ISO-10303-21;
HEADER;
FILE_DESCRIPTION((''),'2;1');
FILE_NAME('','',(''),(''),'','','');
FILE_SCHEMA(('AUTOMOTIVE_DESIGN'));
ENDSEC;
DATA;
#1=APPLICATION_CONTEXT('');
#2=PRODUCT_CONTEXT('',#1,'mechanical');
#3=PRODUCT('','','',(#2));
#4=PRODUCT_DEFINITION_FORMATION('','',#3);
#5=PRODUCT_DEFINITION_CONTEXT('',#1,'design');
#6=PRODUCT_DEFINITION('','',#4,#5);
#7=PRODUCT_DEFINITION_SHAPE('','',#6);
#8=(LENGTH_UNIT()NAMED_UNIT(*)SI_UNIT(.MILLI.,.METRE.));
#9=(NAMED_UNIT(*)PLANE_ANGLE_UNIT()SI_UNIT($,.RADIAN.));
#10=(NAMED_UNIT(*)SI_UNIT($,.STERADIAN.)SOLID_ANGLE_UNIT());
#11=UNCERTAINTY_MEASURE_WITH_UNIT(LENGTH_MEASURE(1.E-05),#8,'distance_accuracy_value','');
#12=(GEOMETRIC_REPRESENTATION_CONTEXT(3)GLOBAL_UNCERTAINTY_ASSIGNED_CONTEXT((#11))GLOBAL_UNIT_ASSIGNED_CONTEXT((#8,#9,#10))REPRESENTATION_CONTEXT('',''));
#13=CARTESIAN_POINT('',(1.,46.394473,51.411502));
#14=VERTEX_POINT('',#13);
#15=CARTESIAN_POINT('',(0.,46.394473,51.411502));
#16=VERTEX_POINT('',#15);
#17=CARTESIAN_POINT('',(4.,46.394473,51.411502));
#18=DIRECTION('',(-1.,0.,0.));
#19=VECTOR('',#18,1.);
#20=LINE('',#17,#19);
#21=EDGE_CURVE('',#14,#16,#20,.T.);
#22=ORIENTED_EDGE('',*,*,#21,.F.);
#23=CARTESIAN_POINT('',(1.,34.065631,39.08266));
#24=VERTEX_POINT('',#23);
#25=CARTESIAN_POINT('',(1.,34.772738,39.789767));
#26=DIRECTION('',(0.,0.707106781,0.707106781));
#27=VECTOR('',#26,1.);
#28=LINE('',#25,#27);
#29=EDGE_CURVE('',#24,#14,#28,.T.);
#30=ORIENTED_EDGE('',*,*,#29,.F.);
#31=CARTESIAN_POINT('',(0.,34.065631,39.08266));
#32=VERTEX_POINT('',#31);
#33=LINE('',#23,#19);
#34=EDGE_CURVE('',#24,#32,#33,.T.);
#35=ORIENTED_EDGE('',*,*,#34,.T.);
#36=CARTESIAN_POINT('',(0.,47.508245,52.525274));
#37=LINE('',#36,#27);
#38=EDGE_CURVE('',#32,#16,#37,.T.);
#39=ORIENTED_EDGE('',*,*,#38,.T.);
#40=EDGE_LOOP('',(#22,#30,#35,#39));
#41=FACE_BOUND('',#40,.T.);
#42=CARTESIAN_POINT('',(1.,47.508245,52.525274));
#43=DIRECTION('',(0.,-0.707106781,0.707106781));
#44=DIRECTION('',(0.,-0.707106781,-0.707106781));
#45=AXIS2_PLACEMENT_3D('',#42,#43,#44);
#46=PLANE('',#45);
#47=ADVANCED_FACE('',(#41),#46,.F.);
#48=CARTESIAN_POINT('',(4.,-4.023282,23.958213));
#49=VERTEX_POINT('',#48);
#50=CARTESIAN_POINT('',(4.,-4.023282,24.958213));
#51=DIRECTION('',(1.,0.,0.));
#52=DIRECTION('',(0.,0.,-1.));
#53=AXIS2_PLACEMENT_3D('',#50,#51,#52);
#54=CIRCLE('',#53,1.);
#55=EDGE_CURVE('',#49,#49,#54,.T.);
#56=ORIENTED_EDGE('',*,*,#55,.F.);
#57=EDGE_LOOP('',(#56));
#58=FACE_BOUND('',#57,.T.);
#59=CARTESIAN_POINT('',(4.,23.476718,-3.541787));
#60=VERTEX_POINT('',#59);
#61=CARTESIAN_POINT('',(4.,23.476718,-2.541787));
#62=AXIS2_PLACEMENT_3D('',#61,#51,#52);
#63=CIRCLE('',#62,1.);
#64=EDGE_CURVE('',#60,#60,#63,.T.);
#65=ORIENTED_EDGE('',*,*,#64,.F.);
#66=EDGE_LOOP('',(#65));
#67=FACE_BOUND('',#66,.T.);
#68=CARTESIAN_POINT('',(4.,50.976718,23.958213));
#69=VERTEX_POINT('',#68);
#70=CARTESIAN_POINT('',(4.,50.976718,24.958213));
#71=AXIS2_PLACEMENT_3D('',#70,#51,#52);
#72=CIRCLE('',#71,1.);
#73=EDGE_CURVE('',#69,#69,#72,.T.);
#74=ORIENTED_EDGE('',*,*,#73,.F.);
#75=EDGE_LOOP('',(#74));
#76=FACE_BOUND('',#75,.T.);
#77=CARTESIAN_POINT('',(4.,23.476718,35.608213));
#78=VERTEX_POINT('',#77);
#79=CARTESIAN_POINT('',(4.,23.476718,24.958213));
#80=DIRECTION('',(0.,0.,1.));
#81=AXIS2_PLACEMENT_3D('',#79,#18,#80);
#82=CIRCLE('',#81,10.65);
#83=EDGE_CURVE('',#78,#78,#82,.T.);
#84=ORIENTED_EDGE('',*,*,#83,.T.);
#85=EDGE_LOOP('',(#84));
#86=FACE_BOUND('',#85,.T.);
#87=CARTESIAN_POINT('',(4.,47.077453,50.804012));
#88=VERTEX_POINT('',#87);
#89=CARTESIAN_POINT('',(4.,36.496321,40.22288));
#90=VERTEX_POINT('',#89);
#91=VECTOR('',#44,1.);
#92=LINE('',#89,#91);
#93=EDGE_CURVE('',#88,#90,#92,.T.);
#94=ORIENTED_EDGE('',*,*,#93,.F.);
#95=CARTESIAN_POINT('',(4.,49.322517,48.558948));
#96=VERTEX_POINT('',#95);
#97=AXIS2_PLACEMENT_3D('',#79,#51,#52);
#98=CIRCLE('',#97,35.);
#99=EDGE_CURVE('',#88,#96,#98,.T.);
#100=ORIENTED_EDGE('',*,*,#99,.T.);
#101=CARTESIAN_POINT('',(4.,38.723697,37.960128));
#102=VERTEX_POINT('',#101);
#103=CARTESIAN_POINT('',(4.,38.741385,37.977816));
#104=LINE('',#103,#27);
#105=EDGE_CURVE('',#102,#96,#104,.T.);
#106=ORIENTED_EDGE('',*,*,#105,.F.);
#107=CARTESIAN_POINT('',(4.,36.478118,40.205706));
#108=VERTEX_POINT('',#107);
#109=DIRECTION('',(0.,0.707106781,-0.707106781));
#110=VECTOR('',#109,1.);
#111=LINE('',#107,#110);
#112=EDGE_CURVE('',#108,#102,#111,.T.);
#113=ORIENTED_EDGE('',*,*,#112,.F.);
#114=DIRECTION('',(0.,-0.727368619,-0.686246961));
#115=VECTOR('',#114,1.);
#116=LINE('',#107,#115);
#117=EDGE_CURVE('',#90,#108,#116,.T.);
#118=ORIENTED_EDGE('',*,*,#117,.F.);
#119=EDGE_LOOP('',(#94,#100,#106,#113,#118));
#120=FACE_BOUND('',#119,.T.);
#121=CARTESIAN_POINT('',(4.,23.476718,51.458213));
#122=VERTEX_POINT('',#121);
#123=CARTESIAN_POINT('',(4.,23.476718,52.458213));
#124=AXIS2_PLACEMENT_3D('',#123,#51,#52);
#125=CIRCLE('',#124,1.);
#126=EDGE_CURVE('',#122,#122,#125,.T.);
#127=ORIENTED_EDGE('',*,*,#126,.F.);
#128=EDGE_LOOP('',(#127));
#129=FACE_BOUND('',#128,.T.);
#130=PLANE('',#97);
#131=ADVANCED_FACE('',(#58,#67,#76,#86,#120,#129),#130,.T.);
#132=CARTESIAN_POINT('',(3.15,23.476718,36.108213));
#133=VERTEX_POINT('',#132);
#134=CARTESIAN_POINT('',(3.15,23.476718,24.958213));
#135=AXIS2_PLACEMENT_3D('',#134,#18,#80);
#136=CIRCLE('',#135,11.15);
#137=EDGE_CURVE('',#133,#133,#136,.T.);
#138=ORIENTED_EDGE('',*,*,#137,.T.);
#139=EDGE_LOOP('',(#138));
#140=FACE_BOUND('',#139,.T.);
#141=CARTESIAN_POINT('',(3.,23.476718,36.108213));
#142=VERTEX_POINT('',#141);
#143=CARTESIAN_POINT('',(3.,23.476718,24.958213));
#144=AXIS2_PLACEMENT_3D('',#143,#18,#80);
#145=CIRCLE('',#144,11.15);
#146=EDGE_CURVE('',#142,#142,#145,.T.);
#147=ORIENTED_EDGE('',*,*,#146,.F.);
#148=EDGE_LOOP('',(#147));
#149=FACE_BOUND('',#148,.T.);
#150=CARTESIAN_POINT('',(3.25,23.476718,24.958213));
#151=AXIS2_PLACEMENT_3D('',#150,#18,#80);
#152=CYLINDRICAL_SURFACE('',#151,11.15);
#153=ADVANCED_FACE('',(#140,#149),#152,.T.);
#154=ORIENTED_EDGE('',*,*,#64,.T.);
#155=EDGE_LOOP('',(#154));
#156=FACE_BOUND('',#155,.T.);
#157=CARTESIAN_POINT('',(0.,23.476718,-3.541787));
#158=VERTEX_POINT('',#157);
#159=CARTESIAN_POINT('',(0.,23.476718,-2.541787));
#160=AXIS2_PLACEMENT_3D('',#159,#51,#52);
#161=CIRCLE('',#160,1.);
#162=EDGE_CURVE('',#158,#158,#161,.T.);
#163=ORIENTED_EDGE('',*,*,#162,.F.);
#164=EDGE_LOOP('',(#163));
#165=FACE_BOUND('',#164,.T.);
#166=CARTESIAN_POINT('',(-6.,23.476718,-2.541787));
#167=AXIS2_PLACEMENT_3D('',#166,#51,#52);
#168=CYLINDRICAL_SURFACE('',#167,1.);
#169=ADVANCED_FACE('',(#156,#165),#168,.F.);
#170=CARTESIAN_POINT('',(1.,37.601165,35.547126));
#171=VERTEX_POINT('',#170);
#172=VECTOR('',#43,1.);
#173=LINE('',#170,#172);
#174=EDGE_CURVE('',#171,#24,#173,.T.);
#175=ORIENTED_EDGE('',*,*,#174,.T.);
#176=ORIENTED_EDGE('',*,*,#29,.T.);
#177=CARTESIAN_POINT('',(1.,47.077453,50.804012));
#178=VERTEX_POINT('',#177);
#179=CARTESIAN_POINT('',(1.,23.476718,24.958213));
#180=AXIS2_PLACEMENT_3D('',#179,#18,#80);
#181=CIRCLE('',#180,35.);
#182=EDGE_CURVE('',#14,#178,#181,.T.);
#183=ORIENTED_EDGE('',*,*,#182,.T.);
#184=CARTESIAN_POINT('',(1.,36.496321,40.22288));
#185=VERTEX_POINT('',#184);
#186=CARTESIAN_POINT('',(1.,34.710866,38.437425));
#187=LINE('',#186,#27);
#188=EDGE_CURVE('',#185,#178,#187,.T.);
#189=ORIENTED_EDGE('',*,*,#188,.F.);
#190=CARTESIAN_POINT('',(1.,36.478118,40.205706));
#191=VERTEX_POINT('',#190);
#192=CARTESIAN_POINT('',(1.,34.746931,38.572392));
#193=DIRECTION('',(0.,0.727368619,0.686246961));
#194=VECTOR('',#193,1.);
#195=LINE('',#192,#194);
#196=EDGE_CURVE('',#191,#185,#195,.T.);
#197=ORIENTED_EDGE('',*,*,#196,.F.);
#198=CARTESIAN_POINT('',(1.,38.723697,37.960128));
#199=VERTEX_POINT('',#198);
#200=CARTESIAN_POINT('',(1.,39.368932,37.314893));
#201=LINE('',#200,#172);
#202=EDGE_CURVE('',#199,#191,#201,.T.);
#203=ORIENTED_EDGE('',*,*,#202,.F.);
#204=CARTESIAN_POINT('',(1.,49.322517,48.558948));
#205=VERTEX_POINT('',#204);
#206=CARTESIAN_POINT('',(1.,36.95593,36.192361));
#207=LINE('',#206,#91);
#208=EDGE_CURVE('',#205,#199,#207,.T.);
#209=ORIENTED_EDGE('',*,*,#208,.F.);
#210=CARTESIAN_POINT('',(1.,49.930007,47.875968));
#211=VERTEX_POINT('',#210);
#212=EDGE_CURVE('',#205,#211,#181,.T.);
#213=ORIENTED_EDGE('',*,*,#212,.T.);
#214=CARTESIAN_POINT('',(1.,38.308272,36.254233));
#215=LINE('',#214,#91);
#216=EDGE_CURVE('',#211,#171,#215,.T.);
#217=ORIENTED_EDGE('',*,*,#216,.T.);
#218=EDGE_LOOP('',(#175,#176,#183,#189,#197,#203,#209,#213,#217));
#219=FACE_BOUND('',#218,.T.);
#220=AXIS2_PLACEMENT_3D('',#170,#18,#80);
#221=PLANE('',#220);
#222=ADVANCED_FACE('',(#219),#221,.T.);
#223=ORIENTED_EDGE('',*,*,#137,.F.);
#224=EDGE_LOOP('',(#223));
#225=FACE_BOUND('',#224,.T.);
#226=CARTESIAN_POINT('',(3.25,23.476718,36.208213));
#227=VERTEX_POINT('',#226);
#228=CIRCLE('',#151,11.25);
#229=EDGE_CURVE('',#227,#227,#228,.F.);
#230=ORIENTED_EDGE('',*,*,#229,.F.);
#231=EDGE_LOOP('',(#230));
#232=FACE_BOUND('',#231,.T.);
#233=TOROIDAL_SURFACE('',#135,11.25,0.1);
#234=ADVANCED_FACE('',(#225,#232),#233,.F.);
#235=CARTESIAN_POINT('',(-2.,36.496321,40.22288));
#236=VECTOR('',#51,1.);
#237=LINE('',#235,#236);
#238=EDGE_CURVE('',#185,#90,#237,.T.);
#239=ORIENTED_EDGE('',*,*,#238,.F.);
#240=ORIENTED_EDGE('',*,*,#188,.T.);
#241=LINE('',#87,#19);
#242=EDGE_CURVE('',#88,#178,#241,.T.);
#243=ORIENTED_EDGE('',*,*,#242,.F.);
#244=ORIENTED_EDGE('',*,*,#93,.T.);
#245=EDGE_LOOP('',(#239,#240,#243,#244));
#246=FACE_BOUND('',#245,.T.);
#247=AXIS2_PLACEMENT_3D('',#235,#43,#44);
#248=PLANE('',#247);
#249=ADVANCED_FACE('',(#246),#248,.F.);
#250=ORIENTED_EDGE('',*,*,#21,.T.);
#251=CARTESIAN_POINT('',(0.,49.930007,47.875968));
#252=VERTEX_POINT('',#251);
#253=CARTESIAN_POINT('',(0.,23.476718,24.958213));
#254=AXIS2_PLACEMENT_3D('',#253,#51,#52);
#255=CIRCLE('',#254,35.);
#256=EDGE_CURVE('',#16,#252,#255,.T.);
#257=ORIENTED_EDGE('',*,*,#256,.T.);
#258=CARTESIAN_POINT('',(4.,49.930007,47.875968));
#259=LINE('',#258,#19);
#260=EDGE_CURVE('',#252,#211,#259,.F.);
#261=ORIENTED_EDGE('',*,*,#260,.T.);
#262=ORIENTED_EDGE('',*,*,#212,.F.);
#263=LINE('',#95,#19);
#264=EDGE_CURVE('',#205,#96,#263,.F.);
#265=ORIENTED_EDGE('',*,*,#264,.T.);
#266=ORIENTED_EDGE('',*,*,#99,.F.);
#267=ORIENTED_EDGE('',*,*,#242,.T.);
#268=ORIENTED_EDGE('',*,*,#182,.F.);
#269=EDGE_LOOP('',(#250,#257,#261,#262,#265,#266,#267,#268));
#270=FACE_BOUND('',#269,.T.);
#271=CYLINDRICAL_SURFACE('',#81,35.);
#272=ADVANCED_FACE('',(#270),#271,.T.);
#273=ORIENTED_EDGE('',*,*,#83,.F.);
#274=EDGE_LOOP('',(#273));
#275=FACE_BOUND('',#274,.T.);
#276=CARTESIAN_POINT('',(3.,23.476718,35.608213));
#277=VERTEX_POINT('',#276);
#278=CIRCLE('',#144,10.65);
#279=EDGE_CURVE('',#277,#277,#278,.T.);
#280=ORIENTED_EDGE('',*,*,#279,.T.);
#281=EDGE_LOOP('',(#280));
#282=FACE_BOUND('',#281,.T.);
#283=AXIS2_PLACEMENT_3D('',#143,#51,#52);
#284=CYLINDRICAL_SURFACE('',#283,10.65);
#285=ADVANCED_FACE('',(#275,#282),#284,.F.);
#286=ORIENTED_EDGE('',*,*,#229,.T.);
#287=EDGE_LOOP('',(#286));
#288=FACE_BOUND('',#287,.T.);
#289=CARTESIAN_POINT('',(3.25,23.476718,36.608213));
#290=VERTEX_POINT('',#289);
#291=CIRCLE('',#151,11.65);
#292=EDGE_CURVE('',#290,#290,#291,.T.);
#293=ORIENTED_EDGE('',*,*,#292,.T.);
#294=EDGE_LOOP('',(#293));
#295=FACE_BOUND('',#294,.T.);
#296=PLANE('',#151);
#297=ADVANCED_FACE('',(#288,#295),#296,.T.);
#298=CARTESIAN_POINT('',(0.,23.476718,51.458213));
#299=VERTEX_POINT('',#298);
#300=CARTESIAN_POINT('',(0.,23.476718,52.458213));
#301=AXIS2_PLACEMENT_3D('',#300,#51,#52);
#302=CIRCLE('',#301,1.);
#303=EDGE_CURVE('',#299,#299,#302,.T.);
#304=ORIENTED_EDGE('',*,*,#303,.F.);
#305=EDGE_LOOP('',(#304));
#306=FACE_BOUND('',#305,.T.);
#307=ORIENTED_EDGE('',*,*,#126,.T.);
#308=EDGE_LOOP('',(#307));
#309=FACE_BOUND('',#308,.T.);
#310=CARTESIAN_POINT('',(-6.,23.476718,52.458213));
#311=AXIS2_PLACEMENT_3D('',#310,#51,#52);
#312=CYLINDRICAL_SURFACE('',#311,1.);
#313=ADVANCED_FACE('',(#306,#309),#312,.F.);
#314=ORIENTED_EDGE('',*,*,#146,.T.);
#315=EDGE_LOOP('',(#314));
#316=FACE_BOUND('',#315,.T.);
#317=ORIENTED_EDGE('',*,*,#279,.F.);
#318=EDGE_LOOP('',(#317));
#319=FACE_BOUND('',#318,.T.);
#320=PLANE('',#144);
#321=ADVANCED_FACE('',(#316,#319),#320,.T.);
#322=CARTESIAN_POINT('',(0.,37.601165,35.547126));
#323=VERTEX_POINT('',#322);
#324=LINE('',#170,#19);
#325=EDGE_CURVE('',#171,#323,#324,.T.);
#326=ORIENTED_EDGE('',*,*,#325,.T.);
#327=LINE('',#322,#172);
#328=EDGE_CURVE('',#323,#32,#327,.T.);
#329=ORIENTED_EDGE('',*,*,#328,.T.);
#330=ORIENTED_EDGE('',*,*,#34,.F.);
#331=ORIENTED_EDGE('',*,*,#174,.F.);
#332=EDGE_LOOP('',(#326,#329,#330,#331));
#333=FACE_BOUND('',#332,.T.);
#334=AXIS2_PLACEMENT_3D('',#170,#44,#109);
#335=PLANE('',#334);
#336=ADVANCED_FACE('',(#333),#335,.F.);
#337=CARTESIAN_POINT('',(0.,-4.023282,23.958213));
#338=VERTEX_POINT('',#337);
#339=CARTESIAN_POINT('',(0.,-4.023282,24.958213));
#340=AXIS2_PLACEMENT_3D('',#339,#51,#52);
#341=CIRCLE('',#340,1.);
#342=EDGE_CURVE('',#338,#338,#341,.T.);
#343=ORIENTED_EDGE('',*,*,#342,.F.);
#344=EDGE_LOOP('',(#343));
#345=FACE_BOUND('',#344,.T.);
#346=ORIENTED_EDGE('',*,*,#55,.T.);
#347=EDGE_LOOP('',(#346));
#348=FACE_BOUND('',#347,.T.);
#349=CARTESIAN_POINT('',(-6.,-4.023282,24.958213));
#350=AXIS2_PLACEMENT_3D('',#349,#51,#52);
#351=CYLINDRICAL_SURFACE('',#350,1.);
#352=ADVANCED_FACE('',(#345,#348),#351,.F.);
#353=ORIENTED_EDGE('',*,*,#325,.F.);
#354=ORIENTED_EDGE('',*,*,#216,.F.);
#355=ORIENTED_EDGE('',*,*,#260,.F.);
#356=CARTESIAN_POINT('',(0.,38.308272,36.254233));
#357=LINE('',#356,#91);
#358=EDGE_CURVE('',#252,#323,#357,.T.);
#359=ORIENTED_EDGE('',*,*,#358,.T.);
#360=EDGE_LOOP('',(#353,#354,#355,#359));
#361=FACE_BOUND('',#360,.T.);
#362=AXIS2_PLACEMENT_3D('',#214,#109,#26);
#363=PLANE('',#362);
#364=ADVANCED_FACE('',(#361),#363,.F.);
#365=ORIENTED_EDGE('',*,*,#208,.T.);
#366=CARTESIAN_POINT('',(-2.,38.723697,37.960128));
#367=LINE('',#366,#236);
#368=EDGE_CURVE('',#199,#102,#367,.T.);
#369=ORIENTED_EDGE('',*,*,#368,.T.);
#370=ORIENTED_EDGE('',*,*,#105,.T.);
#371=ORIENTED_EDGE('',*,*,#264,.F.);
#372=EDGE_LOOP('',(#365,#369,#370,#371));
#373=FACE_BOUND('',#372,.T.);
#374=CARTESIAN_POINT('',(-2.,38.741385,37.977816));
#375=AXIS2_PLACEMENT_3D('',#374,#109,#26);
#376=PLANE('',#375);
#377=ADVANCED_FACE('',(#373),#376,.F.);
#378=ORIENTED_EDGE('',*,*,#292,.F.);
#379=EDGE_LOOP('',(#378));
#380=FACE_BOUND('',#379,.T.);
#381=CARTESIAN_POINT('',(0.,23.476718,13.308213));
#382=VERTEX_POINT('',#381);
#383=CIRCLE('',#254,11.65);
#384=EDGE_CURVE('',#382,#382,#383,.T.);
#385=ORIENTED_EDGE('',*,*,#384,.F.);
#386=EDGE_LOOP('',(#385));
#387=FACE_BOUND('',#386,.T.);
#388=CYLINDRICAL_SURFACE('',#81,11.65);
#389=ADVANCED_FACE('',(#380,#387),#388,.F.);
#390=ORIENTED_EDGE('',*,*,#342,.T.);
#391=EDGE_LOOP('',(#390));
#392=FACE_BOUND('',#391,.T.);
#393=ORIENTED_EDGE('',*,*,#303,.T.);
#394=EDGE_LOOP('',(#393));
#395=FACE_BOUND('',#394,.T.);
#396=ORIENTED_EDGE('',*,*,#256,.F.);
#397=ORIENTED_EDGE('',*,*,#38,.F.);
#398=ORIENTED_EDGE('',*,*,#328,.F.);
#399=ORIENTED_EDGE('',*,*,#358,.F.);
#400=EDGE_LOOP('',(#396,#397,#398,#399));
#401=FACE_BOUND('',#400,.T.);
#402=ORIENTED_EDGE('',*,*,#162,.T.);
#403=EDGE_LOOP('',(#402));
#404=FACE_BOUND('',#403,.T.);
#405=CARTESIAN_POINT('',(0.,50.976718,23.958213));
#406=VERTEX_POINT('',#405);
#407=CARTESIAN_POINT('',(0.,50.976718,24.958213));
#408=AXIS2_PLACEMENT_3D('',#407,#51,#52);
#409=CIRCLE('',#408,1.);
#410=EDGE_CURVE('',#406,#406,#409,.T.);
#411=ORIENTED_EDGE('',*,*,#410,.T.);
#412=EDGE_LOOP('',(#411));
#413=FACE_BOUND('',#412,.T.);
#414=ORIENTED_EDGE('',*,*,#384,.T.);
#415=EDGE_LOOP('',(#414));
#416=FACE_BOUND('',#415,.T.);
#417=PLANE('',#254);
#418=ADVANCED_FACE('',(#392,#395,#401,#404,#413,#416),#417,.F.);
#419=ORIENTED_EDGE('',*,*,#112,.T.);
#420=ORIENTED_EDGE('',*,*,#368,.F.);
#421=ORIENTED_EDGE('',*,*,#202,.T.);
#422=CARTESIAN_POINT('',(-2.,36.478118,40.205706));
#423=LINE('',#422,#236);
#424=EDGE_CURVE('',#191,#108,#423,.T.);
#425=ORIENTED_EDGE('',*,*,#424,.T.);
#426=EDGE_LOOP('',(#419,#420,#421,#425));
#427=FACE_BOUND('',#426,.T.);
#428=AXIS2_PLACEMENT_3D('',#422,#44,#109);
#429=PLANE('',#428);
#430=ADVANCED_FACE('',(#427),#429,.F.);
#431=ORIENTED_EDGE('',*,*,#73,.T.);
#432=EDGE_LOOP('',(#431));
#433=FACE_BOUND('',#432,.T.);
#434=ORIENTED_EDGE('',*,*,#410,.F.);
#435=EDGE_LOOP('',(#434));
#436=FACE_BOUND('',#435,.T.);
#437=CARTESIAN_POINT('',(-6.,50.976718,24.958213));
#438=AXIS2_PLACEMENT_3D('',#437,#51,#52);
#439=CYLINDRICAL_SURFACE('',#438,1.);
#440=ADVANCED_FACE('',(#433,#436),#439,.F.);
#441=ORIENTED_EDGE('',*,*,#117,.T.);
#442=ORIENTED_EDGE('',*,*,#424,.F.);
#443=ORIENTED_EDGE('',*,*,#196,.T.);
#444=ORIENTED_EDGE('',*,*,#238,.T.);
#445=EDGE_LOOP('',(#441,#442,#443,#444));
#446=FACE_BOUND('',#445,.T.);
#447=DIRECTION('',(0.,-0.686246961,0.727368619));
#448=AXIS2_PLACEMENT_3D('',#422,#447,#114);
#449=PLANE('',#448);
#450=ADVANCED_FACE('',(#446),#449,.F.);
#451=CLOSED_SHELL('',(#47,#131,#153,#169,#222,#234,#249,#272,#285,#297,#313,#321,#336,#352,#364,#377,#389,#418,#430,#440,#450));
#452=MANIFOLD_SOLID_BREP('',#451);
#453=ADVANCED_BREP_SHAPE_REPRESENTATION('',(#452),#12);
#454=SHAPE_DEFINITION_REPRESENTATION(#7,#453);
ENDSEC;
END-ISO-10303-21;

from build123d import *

# Parameters (mm, degrees)
SKETCH1_R           = 35
SKETCH1_R_2         = 11.65
BOSS_EXTRUDE1_DEPTH = 4
CUT_EXTRUDE1_DEPTH  = 10
SKETCH6_R           = 1
CUT_EXTRUDE4_DEPTH  = 10
BOSS_EXTRUDE3_START = 1
SKETCH7_R           = 11.65
SKETCH7_R_2         = 10.65
BOSS_EXTRUDE3_DEPTH = 1
SKETCH8_R           = 11.65
SKETCH8_R_2         = 11.15
CUT_EXTRUDE5_DEPTH  = 0.25
FILLET1_R           = 0.1
CUT_EXTRUDE6_DEPTH  = 1
CUT_EXTRUDE12_DEPTH = 6


with BuildPart() as part:
    # Sketch1 → Boss-Extrude1 (new body)
    with BuildSketch(Plane(origin=(0, 0, 0), x_dir=(0, -0.16775650988153862, -0.9858284604292805), z_dir=(1, 0, 0))):
        with Locations(Location((-28.542888787, 18.957113921, 0), (0, 0, 9.65740334))):
            Circle(SKETCH1_R)
        with Locations(Location((-28.542888787, 18.957113921, 0), (0, 0, 9.65740334))):
            Circle(SKETCH1_R_2, mode=Mode.SUBTRACT)
    extrude(amount=BOSS_EXTRUDE1_DEPTH)

    # Sketch2 → Cut-Extrude1 (cut)
    with BuildSketch(Plane.ZY):
        with BuildLine():
            Line((38.375552951, 38.308271509), (48.999843401, 48.932561958))
            Line((48.999843401, 48.932561958), (51.312030188, 52.930544456))
            Line((51.312030188, 52.930544456), (54.007279042, 51.111570475))
            Line((54.007279042, 51.111570475), (50.414056963, 47.518348396))
            Line((50.414056963, 47.518348396), (39.789766514, 36.894057946))
            ThreePointArc((39.789766514, 36.894057946), (39.100348464, 37.618853459), (38.375552951, 38.308271509))
        make_face()
    extrude(amount=-CUT_EXTRUDE1_DEPTH, mode=Mode.SUBTRACT)

    # Sketch6 → Cut-Extrude4 (cut)
    with BuildSketch(Plane(origin=(4, 0, 0), x_dir=(0, 0, -1), z_dir=(1, 0, 0))):
        with Locations((-24.958212841, -4.023282164)):
            Circle(SKETCH6_R)
        with Locations((2.541787159, 23.476717836)):
            Circle(SKETCH6_R)
        with Locations((-52.458212841, 23.476717836)):
            Circle(SKETCH6_R)
        with Locations((-24.958212841, 50.976717836)):
            Circle(SKETCH6_R)
    extrude(amount=-CUT_EXTRUDE4_DEPTH, mode=Mode.SUBTRACT)

    # Sketch7 → Boss-Extrude3 (add)
    with BuildSketch(Plane.ZY.offset(-4).offset(BOSS_EXTRUDE3_START)):
        with Locations((24.958212841, 23.476717836)):
            Circle(SKETCH7_R)
        with Locations((24.958212841, 23.476717836)):
            Circle(SKETCH7_R_2, mode=Mode.SUBTRACT)
    extrude(amount=-BOSS_EXTRUDE3_DEPTH)

    # Sketch8 → Cut-Extrude5 (cut)
    with BuildSketch(Plane.ZY.offset(-3)):
        with Locations((24.958212841, 23.476717836)):
            Circle(SKETCH8_R)
        with Locations((24.958212841, 23.476717836)):
            Circle(SKETCH8_R_2, mode=Mode.SUBTRACT)
    extrude(amount=-CUT_EXTRUDE5_DEPTH, mode=Mode.SUBTRACT)

    # Fillet1
    fillet1_edges = [part.edges().sort_by_distance(p)[0] for p in [
        (3.25, 23.476717836, 13.808212841),
    ]]
    fillet(fillet1_edges, radius=FILLET1_R)

    # Sketch9 → Cut-Extrude6 (cut)
    with BuildSketch(Plane.ZY):
        Polygon((36.254232608, 38.308271509), (48.989739813, 51.043778714), (52.525273719, 47.508244808), (39.789766514, 34.772737603), (39.082659732, 34.065630822), (35.547125827, 37.601164728), align=None)
        Polygon((48.989739813, 48.922458371), (50.403953376, 47.508244808), (40.402946038, 37.507237471), (38.988732476, 38.921451033), align=None, mode=Mode.SUBTRACT)
    extrude(amount=-CUT_EXTRUDE6_DEPTH, mode=Mode.SUBTRACT)

    # Sketch15 → Cut-Extrude12 (cut)
    with BuildSketch(Plane(origin=(4, 2.265244421, 47.825710378), x_dir=(0, 0, -1), z_dir=(1, 0, 0))):
        Polygon((7.620004071, 34.212873731), (9.865582661, 36.458452321), (9.847893929, 36.476141053), (-10.673980141, 56.998015123), (-12.919044171, 54.752951093), (7.602829899, 34.231077023), align=None)
    extrude(amount=-CUT_EXTRUDE12_DEPTH, mode=Mode.SUBTRACT)


solid = part.part
